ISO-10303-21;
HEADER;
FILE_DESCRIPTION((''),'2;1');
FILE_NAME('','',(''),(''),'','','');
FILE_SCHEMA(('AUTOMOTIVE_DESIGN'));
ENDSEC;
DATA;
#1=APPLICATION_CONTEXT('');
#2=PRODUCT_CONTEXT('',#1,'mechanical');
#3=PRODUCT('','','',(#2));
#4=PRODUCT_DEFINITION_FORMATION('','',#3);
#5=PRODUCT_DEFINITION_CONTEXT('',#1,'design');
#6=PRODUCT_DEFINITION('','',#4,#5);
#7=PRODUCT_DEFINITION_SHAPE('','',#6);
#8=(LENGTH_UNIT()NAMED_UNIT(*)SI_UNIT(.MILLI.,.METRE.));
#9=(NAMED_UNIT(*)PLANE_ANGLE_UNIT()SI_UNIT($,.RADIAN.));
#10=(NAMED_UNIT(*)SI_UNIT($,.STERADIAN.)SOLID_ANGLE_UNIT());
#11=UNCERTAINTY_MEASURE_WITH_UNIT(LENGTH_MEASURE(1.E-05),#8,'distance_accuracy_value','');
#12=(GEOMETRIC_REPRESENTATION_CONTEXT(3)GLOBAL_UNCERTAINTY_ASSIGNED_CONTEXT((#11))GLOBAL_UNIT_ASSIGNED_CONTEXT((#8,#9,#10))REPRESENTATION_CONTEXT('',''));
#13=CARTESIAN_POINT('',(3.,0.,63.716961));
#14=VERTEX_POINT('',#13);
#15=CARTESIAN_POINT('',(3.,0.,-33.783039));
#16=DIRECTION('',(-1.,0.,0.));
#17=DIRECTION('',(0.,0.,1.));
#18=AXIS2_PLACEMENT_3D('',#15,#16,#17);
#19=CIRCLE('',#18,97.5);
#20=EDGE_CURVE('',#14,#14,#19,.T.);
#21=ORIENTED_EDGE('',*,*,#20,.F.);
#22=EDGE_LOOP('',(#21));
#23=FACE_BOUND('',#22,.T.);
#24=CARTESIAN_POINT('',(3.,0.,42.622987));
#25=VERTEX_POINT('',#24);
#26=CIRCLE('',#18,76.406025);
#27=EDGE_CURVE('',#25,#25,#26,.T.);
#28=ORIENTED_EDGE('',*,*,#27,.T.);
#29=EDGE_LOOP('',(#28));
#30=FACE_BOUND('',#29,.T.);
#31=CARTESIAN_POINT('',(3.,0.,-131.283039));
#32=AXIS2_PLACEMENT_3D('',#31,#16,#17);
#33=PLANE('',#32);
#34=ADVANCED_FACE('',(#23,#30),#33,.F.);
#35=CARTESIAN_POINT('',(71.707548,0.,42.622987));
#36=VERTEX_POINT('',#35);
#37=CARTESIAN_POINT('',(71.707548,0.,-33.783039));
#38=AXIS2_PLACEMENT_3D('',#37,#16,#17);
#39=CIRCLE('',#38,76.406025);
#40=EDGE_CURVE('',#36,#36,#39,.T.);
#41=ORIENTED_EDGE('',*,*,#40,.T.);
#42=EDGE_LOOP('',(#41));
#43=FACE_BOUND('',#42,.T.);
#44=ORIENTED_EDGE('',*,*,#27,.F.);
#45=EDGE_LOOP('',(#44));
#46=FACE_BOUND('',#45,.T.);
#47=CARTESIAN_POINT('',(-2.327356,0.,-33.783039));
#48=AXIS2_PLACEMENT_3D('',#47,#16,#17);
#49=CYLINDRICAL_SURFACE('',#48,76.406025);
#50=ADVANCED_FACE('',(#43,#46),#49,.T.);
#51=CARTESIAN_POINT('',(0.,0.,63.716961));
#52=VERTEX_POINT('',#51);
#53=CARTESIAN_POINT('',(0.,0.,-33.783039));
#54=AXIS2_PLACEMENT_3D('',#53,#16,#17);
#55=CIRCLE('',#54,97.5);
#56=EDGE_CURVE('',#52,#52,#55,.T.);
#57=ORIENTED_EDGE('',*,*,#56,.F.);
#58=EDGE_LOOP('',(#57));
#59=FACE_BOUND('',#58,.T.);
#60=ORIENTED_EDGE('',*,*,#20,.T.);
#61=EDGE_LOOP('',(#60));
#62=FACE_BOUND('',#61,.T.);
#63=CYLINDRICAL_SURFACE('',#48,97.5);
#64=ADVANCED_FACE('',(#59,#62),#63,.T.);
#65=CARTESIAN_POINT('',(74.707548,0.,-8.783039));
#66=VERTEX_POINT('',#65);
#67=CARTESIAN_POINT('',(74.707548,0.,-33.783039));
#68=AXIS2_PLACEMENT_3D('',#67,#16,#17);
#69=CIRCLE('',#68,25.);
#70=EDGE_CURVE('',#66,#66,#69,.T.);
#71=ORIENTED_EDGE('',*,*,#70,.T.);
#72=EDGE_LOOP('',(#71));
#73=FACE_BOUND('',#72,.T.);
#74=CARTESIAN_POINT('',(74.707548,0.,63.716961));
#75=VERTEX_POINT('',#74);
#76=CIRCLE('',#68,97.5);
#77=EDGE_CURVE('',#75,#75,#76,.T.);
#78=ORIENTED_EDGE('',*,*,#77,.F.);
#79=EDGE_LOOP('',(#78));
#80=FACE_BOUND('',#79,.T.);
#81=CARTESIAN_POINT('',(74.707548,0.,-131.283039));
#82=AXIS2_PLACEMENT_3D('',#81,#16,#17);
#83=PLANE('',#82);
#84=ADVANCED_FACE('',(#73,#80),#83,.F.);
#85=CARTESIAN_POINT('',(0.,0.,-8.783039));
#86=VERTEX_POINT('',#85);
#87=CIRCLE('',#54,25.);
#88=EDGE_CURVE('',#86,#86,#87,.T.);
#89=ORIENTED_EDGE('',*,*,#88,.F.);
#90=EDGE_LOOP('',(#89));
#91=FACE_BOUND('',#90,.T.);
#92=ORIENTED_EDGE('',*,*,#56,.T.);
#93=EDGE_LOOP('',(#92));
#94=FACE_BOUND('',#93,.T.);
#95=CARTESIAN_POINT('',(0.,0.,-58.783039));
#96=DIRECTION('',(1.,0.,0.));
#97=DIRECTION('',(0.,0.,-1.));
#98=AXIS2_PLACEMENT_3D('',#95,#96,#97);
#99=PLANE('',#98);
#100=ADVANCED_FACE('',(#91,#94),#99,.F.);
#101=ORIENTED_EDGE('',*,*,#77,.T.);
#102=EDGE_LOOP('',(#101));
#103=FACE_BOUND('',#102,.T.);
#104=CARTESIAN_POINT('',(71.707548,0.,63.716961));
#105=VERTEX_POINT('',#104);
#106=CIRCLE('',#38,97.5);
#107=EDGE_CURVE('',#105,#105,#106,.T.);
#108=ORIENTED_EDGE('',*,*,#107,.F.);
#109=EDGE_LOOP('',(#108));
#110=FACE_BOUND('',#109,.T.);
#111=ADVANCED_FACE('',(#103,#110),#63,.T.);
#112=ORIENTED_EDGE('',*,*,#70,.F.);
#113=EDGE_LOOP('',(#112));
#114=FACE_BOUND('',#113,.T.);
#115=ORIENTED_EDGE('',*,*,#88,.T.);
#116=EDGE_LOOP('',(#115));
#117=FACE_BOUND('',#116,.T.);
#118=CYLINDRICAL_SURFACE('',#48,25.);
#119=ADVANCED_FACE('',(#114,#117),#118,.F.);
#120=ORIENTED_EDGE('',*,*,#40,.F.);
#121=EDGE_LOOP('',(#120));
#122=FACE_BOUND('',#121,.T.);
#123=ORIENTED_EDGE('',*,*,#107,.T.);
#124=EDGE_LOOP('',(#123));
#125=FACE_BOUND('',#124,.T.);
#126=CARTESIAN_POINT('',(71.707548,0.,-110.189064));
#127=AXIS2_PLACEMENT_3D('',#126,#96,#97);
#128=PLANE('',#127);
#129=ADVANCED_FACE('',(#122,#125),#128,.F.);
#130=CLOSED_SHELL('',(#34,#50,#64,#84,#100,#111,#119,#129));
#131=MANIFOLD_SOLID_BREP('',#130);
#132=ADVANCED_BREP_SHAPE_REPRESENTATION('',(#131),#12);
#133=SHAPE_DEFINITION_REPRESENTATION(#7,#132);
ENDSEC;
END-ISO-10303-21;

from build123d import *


with BuildPart() as part:
    # Sketch1 → Revolve1 (revolve)
    with BuildSketch(Plane(origin=(0, 0, 0), x_dir=(1, 0, 0), z_dir=(0, 1, 0)), mode=Mode.PRIVATE) as revolve1_sk:
        Polygon((0, 58.783038795), (0, 131.283038795), (3, 131.283038795), (3, 110.189064257), (71.707548459, 110.189064257), (71.707548459, 131.283038795), (74.707548459, 131.283038795), (74.707548459, 58.783038795), align=None)
    revolve(revolve1_sk.sketch.rotate(Axis((-2.327356302, 0, -33.783038795), (1, 0, 0)), 180), axis=Axis((-2.327356302, 0, -33.783038795), (1, 0, 0)))


solid = part.part
